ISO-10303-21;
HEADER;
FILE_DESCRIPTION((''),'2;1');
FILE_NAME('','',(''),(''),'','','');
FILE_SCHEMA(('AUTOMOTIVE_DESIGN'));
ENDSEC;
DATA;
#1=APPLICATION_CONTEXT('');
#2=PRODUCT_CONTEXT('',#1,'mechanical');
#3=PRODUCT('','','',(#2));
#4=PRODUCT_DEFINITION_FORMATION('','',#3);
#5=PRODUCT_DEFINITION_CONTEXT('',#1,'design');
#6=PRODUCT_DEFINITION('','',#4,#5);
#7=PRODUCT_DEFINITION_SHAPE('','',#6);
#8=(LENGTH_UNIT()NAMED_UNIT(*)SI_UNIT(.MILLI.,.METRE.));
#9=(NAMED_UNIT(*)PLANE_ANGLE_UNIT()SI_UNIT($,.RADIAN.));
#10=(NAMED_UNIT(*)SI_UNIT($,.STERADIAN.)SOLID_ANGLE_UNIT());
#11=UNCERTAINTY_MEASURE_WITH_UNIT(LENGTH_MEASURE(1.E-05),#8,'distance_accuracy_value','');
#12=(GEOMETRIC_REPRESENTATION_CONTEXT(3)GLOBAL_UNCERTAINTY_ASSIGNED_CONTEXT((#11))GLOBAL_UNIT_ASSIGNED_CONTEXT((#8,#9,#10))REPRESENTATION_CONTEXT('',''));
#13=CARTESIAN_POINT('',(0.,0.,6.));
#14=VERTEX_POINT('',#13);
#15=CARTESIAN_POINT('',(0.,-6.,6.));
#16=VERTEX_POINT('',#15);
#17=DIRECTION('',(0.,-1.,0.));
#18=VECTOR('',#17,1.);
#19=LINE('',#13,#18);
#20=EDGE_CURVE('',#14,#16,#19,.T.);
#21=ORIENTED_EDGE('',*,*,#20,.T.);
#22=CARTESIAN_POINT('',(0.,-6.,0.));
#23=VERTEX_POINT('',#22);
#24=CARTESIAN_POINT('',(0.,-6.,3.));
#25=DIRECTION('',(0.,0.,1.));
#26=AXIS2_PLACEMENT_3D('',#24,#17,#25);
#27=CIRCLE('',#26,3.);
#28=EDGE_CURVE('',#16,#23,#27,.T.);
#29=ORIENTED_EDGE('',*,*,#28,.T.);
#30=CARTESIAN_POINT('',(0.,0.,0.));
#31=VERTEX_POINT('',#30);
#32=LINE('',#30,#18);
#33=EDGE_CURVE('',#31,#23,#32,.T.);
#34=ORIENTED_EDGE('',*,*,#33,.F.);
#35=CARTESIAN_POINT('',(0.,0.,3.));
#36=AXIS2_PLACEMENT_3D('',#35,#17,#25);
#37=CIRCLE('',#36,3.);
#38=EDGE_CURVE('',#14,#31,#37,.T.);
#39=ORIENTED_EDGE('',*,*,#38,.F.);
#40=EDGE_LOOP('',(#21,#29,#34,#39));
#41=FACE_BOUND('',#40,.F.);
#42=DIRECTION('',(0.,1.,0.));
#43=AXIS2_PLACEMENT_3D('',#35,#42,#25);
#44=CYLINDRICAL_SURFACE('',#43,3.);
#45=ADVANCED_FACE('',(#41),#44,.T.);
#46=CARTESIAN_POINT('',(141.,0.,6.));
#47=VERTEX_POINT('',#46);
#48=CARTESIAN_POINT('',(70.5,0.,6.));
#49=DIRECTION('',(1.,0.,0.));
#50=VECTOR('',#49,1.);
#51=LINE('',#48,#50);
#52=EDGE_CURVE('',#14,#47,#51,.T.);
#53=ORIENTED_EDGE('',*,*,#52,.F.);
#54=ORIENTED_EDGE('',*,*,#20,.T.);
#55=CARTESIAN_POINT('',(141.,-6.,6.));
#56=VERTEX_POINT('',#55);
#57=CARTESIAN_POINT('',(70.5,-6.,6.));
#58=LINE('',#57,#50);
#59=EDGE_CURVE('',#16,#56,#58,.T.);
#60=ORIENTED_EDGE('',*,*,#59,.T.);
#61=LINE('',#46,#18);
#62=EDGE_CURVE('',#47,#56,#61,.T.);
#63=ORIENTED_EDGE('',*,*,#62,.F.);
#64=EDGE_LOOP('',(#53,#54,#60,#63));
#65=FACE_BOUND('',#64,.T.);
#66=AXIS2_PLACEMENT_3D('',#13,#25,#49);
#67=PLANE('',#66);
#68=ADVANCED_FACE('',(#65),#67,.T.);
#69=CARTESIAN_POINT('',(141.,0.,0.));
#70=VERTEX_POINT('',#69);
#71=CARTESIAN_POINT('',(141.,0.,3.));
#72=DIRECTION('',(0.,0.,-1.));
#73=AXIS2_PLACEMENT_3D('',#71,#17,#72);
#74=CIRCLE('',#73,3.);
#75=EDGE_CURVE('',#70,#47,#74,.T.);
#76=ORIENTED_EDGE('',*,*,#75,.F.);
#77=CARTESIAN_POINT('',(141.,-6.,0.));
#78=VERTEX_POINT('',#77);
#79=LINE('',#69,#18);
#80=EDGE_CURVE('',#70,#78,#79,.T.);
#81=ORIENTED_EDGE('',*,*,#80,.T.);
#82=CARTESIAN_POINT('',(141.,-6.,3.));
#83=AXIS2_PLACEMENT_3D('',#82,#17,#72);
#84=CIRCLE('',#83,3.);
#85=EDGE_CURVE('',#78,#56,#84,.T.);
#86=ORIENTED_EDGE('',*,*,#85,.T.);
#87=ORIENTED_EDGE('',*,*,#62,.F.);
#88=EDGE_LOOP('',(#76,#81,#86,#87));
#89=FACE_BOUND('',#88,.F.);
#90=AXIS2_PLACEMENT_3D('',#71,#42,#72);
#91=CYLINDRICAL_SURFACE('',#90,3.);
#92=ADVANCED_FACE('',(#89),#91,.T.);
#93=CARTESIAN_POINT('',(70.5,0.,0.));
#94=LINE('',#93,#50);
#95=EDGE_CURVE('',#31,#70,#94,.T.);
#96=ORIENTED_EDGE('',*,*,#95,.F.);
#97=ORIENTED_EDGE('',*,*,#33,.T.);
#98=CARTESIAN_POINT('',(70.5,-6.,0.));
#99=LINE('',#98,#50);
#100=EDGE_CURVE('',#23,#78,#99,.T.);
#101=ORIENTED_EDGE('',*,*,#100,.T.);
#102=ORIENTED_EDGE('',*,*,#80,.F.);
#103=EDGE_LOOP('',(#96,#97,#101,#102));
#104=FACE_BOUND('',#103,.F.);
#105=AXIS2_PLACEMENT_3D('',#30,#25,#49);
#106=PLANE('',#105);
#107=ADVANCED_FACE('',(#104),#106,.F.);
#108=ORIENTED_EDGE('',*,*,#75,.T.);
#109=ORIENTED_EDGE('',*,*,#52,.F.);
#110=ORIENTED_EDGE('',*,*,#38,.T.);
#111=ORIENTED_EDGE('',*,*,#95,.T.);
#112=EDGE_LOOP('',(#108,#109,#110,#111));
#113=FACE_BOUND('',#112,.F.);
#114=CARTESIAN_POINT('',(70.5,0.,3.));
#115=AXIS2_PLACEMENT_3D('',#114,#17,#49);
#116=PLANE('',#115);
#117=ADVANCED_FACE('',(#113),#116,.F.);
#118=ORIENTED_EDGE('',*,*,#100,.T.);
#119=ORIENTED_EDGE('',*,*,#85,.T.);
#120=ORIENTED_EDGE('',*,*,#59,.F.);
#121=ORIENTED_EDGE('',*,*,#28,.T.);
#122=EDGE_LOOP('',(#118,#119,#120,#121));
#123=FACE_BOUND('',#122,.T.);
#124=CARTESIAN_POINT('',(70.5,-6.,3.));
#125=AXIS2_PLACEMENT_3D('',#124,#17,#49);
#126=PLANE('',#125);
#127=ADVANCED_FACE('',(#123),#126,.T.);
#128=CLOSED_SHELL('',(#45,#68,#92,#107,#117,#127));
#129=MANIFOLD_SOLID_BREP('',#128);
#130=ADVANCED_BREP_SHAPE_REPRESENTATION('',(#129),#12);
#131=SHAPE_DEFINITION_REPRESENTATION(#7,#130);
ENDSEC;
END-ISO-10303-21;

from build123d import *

# Parameters (mm, degrees)
F0_W     = 141
F0_H     = 6
F1_DEPTH = 6


with BuildPart() as f1:
    # F0 (on Front) → F1 (new body)
    with BuildSketch(Plane.XZ):
        with Locations((70.5, 3)):
            Rectangle(F0_W, F0_H)
        with BuildLine():
            Line((141, 6), (141, 0))
            ThreePointArc((141, 0), (144, 3), (141, 6))
        make_face()
        with BuildLine():
            ThreePointArc((0, 6), (-3, 3), (0, 0))
            Line((0, 0), (0, 6))
        make_face()
    extrude(amount=F1_DEPTH)


solid = f1.part
